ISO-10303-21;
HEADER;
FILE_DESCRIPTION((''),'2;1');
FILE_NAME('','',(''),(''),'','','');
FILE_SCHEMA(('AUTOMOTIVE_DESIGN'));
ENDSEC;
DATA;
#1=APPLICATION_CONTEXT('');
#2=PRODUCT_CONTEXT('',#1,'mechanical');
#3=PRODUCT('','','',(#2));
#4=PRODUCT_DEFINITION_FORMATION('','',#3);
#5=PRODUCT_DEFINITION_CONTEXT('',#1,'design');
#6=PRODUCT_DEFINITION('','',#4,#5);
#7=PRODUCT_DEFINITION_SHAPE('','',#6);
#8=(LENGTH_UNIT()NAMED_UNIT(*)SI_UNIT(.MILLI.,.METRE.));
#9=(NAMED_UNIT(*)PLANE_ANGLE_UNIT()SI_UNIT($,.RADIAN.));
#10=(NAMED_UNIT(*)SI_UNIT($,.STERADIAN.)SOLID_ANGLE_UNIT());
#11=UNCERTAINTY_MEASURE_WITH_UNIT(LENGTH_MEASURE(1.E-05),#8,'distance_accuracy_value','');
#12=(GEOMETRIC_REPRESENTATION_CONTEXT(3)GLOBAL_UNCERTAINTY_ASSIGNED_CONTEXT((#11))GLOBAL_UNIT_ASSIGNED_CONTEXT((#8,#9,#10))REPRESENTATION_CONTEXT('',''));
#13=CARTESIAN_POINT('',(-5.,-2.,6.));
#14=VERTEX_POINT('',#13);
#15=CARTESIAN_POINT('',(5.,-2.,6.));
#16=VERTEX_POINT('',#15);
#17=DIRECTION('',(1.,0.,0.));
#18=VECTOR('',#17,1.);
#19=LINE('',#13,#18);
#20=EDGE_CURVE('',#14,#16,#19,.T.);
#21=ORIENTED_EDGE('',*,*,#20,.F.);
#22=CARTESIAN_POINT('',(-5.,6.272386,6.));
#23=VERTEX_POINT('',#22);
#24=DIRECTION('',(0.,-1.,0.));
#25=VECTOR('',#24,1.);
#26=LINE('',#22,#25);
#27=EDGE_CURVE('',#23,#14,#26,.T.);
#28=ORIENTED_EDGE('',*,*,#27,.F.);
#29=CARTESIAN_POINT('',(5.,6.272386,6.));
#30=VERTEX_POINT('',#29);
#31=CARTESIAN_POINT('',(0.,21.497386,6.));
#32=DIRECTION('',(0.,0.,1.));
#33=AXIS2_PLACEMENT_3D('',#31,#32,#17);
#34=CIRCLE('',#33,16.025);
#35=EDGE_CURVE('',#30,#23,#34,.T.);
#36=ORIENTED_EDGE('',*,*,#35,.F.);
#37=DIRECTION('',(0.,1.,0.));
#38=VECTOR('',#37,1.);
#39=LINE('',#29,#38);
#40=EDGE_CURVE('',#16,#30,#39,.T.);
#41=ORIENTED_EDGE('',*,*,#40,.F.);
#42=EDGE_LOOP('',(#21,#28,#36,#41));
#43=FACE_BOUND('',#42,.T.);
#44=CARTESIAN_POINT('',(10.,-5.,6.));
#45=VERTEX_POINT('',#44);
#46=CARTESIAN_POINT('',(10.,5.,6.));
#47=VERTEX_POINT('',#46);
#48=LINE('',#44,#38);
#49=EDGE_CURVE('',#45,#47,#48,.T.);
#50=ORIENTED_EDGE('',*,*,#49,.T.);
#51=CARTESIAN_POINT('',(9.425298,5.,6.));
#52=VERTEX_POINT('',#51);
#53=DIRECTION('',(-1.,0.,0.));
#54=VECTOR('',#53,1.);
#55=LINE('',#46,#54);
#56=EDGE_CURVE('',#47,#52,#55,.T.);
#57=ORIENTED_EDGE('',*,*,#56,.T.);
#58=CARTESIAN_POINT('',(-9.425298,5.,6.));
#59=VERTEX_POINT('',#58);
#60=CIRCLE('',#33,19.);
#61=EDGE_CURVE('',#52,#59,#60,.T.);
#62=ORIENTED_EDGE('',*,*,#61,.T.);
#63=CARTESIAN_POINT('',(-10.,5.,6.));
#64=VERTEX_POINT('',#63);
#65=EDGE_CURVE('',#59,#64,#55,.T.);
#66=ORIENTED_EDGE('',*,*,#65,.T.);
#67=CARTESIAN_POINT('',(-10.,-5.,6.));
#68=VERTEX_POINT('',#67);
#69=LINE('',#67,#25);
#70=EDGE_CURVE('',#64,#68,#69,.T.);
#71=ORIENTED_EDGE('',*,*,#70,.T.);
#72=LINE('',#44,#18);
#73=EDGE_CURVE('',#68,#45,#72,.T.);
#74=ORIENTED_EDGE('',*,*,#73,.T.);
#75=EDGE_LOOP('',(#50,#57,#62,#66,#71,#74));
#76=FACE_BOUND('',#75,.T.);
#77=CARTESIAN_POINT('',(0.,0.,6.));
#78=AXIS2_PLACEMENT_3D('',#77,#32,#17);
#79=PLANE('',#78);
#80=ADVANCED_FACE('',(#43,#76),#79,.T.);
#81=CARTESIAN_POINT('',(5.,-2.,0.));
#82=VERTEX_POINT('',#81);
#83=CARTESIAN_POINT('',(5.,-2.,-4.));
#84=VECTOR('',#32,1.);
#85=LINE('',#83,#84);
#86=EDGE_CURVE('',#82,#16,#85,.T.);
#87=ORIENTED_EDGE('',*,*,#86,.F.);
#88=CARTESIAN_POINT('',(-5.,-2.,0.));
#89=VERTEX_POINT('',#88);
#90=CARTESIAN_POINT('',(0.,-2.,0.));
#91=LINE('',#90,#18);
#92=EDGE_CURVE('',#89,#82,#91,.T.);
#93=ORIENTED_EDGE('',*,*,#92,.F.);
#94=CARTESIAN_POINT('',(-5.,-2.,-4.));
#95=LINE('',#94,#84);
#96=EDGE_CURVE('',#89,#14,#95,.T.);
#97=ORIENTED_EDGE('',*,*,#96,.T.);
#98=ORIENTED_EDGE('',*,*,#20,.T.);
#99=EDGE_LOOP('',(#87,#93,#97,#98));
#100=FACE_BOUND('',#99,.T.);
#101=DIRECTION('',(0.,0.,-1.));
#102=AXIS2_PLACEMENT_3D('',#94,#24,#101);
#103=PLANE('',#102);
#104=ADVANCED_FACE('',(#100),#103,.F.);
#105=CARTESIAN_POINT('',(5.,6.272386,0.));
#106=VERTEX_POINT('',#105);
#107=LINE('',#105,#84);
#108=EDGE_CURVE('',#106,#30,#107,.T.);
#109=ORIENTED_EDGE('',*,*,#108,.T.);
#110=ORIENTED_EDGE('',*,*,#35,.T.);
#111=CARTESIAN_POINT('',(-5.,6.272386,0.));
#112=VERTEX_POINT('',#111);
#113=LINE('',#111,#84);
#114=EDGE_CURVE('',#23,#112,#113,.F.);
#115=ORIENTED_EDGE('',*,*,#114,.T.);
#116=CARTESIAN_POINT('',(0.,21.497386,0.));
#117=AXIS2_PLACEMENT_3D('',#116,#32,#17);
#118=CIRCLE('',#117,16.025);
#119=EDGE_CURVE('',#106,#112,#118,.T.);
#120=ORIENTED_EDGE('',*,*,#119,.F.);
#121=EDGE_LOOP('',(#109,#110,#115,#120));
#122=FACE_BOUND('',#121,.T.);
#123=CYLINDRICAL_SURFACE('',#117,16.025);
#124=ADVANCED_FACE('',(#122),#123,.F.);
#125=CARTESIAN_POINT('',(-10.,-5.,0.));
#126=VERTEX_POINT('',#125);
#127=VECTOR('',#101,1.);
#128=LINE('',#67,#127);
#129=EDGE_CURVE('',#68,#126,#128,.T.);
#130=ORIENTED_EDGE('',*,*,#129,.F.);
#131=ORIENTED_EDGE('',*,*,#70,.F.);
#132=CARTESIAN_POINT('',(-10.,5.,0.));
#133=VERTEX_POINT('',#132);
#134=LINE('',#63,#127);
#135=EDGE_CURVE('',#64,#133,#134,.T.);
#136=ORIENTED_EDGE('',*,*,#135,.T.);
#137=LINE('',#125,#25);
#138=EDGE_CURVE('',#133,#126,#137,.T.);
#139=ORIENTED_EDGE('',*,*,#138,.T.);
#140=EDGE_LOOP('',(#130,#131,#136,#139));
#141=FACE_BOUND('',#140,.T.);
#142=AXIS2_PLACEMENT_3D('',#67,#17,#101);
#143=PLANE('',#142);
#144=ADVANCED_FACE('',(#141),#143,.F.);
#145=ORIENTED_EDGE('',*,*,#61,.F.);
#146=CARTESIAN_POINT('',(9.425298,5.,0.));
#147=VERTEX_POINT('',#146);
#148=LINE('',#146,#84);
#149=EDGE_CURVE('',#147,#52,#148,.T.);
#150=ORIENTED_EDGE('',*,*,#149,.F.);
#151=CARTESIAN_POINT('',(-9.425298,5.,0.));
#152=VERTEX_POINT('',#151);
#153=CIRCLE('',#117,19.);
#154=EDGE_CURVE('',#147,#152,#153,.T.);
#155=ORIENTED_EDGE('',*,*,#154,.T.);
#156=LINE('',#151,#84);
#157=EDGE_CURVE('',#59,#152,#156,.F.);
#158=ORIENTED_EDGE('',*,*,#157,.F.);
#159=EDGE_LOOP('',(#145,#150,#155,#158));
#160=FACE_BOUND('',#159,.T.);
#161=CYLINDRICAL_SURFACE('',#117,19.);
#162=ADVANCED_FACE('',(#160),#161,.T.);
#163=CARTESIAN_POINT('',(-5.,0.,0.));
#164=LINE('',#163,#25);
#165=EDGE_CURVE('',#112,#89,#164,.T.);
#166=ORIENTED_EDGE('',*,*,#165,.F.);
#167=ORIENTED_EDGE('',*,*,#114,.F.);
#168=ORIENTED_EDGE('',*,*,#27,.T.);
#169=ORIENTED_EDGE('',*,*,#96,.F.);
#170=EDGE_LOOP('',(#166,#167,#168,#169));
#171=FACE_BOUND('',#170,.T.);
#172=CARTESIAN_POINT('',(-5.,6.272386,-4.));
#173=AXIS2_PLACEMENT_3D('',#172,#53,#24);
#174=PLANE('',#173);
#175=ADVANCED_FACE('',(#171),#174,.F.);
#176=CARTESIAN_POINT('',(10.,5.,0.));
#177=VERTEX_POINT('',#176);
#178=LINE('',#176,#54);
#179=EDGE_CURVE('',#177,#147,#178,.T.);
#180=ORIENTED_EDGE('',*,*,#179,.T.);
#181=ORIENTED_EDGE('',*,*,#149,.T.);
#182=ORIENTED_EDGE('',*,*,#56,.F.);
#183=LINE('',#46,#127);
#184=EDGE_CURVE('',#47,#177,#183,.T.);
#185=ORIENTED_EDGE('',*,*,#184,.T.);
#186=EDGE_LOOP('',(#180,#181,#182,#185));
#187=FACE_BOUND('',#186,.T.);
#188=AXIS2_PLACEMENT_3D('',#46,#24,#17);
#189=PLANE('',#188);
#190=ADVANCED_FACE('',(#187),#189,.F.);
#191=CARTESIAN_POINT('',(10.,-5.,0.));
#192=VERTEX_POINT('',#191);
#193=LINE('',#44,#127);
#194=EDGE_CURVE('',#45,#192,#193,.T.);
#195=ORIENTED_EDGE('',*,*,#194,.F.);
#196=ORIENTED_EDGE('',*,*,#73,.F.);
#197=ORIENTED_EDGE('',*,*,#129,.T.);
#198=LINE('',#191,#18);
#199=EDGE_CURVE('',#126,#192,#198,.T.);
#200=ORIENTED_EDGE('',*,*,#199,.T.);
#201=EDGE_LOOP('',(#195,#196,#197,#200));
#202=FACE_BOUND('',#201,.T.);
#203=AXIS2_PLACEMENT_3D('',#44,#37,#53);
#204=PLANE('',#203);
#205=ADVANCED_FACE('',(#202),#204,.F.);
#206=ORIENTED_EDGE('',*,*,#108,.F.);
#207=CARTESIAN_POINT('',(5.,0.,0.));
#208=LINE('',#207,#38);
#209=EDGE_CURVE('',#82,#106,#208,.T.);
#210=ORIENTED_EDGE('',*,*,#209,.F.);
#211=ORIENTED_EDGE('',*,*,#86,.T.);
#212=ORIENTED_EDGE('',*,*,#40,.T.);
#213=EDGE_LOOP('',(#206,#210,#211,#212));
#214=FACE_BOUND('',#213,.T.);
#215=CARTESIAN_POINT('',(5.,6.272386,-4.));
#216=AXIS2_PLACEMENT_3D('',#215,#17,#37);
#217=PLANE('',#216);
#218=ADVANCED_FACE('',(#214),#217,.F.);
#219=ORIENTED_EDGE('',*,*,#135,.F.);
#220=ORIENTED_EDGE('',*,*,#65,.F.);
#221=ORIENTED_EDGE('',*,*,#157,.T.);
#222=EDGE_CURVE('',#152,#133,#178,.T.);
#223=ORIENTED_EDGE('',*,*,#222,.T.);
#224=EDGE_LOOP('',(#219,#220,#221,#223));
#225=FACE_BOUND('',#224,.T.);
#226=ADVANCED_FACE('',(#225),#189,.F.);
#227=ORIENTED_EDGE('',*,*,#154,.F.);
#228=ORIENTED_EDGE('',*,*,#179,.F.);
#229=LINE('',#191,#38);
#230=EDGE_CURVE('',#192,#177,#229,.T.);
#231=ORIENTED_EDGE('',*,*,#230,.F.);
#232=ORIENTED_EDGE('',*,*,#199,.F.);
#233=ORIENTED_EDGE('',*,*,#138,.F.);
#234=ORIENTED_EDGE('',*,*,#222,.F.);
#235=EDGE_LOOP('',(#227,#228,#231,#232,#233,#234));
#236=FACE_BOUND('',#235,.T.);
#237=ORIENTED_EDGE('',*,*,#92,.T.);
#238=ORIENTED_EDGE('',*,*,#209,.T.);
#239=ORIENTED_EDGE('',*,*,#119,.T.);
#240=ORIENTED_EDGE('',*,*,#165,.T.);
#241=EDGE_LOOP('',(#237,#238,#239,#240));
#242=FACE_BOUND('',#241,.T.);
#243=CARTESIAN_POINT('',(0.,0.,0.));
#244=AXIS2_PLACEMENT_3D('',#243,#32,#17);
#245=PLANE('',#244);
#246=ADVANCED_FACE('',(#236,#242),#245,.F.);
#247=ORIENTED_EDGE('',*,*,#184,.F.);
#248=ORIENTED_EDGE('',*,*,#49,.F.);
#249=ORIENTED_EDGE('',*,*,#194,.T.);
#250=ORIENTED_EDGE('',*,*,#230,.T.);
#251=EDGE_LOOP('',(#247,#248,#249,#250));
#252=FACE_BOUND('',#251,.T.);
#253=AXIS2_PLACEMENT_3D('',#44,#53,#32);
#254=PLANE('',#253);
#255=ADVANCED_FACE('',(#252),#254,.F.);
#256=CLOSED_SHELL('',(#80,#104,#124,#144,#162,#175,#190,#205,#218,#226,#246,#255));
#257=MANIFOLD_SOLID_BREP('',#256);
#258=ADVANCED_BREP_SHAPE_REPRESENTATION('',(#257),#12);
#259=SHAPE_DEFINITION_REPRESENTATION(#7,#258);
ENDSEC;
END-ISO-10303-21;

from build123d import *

# Parameters (mm, degrees)
ESQUISSE1_W             = 20
ESQUISSE1_H             = 10
BOSS_EXTRU_1_DEPTH      = 6
ESQUISSE2_R             = 19
BOSS_EXTRU_2_DEPTH      = 6
ESQUISSE3_R             = 16.025
ENL_V_MAT_EXTRU_1_DEPTH = 6
ESQUISSE4_W             = 10
ESQUISSE4_H             = 8.272386128
ENL_V_MAT_EXTRU_2_DEPTH = 10


with BuildPart() as part:
    # Esquisse1 → Boss.-Extru.1 (new body)
    with BuildSketch(Plane.XY):
        Rectangle(ESQUISSE1_W, ESQUISSE1_H)
    extrude(amount=BOSS_EXTRU_1_DEPTH)

    # Esquisse2 → Boss.-Extru.2 (add)
    with BuildSketch(Plane.XY.offset(6)):
        with Locations((0, 21.497386128)):
            Circle(ESQUISSE2_R)
    extrude(amount=-BOSS_EXTRU_2_DEPTH)

    # Esquisse3 → Enlèv. mat.-Extru.1 (cut)
    with BuildSketch(Plane.XY.offset(6)):
        with Locations((0, 21.497386128)):
            Circle(ESQUISSE3_R)
    extrude(amount=-ENL_V_MAT_EXTRU_1_DEPTH, mode=Mode.SUBTRACT)

    # Esquisse4 → Enlèv. mat.-Extru.2 (cut)
    with BuildSketch(Plane.XY.offset(6)):
        with Locations((0, 2.136193064)):
            Rectangle(ESQUISSE4_W, ESQUISSE4_H)
    extrude(amount=-ENL_V_MAT_EXTRU_2_DEPTH, mode=Mode.SUBTRACT)


solid = part.part
